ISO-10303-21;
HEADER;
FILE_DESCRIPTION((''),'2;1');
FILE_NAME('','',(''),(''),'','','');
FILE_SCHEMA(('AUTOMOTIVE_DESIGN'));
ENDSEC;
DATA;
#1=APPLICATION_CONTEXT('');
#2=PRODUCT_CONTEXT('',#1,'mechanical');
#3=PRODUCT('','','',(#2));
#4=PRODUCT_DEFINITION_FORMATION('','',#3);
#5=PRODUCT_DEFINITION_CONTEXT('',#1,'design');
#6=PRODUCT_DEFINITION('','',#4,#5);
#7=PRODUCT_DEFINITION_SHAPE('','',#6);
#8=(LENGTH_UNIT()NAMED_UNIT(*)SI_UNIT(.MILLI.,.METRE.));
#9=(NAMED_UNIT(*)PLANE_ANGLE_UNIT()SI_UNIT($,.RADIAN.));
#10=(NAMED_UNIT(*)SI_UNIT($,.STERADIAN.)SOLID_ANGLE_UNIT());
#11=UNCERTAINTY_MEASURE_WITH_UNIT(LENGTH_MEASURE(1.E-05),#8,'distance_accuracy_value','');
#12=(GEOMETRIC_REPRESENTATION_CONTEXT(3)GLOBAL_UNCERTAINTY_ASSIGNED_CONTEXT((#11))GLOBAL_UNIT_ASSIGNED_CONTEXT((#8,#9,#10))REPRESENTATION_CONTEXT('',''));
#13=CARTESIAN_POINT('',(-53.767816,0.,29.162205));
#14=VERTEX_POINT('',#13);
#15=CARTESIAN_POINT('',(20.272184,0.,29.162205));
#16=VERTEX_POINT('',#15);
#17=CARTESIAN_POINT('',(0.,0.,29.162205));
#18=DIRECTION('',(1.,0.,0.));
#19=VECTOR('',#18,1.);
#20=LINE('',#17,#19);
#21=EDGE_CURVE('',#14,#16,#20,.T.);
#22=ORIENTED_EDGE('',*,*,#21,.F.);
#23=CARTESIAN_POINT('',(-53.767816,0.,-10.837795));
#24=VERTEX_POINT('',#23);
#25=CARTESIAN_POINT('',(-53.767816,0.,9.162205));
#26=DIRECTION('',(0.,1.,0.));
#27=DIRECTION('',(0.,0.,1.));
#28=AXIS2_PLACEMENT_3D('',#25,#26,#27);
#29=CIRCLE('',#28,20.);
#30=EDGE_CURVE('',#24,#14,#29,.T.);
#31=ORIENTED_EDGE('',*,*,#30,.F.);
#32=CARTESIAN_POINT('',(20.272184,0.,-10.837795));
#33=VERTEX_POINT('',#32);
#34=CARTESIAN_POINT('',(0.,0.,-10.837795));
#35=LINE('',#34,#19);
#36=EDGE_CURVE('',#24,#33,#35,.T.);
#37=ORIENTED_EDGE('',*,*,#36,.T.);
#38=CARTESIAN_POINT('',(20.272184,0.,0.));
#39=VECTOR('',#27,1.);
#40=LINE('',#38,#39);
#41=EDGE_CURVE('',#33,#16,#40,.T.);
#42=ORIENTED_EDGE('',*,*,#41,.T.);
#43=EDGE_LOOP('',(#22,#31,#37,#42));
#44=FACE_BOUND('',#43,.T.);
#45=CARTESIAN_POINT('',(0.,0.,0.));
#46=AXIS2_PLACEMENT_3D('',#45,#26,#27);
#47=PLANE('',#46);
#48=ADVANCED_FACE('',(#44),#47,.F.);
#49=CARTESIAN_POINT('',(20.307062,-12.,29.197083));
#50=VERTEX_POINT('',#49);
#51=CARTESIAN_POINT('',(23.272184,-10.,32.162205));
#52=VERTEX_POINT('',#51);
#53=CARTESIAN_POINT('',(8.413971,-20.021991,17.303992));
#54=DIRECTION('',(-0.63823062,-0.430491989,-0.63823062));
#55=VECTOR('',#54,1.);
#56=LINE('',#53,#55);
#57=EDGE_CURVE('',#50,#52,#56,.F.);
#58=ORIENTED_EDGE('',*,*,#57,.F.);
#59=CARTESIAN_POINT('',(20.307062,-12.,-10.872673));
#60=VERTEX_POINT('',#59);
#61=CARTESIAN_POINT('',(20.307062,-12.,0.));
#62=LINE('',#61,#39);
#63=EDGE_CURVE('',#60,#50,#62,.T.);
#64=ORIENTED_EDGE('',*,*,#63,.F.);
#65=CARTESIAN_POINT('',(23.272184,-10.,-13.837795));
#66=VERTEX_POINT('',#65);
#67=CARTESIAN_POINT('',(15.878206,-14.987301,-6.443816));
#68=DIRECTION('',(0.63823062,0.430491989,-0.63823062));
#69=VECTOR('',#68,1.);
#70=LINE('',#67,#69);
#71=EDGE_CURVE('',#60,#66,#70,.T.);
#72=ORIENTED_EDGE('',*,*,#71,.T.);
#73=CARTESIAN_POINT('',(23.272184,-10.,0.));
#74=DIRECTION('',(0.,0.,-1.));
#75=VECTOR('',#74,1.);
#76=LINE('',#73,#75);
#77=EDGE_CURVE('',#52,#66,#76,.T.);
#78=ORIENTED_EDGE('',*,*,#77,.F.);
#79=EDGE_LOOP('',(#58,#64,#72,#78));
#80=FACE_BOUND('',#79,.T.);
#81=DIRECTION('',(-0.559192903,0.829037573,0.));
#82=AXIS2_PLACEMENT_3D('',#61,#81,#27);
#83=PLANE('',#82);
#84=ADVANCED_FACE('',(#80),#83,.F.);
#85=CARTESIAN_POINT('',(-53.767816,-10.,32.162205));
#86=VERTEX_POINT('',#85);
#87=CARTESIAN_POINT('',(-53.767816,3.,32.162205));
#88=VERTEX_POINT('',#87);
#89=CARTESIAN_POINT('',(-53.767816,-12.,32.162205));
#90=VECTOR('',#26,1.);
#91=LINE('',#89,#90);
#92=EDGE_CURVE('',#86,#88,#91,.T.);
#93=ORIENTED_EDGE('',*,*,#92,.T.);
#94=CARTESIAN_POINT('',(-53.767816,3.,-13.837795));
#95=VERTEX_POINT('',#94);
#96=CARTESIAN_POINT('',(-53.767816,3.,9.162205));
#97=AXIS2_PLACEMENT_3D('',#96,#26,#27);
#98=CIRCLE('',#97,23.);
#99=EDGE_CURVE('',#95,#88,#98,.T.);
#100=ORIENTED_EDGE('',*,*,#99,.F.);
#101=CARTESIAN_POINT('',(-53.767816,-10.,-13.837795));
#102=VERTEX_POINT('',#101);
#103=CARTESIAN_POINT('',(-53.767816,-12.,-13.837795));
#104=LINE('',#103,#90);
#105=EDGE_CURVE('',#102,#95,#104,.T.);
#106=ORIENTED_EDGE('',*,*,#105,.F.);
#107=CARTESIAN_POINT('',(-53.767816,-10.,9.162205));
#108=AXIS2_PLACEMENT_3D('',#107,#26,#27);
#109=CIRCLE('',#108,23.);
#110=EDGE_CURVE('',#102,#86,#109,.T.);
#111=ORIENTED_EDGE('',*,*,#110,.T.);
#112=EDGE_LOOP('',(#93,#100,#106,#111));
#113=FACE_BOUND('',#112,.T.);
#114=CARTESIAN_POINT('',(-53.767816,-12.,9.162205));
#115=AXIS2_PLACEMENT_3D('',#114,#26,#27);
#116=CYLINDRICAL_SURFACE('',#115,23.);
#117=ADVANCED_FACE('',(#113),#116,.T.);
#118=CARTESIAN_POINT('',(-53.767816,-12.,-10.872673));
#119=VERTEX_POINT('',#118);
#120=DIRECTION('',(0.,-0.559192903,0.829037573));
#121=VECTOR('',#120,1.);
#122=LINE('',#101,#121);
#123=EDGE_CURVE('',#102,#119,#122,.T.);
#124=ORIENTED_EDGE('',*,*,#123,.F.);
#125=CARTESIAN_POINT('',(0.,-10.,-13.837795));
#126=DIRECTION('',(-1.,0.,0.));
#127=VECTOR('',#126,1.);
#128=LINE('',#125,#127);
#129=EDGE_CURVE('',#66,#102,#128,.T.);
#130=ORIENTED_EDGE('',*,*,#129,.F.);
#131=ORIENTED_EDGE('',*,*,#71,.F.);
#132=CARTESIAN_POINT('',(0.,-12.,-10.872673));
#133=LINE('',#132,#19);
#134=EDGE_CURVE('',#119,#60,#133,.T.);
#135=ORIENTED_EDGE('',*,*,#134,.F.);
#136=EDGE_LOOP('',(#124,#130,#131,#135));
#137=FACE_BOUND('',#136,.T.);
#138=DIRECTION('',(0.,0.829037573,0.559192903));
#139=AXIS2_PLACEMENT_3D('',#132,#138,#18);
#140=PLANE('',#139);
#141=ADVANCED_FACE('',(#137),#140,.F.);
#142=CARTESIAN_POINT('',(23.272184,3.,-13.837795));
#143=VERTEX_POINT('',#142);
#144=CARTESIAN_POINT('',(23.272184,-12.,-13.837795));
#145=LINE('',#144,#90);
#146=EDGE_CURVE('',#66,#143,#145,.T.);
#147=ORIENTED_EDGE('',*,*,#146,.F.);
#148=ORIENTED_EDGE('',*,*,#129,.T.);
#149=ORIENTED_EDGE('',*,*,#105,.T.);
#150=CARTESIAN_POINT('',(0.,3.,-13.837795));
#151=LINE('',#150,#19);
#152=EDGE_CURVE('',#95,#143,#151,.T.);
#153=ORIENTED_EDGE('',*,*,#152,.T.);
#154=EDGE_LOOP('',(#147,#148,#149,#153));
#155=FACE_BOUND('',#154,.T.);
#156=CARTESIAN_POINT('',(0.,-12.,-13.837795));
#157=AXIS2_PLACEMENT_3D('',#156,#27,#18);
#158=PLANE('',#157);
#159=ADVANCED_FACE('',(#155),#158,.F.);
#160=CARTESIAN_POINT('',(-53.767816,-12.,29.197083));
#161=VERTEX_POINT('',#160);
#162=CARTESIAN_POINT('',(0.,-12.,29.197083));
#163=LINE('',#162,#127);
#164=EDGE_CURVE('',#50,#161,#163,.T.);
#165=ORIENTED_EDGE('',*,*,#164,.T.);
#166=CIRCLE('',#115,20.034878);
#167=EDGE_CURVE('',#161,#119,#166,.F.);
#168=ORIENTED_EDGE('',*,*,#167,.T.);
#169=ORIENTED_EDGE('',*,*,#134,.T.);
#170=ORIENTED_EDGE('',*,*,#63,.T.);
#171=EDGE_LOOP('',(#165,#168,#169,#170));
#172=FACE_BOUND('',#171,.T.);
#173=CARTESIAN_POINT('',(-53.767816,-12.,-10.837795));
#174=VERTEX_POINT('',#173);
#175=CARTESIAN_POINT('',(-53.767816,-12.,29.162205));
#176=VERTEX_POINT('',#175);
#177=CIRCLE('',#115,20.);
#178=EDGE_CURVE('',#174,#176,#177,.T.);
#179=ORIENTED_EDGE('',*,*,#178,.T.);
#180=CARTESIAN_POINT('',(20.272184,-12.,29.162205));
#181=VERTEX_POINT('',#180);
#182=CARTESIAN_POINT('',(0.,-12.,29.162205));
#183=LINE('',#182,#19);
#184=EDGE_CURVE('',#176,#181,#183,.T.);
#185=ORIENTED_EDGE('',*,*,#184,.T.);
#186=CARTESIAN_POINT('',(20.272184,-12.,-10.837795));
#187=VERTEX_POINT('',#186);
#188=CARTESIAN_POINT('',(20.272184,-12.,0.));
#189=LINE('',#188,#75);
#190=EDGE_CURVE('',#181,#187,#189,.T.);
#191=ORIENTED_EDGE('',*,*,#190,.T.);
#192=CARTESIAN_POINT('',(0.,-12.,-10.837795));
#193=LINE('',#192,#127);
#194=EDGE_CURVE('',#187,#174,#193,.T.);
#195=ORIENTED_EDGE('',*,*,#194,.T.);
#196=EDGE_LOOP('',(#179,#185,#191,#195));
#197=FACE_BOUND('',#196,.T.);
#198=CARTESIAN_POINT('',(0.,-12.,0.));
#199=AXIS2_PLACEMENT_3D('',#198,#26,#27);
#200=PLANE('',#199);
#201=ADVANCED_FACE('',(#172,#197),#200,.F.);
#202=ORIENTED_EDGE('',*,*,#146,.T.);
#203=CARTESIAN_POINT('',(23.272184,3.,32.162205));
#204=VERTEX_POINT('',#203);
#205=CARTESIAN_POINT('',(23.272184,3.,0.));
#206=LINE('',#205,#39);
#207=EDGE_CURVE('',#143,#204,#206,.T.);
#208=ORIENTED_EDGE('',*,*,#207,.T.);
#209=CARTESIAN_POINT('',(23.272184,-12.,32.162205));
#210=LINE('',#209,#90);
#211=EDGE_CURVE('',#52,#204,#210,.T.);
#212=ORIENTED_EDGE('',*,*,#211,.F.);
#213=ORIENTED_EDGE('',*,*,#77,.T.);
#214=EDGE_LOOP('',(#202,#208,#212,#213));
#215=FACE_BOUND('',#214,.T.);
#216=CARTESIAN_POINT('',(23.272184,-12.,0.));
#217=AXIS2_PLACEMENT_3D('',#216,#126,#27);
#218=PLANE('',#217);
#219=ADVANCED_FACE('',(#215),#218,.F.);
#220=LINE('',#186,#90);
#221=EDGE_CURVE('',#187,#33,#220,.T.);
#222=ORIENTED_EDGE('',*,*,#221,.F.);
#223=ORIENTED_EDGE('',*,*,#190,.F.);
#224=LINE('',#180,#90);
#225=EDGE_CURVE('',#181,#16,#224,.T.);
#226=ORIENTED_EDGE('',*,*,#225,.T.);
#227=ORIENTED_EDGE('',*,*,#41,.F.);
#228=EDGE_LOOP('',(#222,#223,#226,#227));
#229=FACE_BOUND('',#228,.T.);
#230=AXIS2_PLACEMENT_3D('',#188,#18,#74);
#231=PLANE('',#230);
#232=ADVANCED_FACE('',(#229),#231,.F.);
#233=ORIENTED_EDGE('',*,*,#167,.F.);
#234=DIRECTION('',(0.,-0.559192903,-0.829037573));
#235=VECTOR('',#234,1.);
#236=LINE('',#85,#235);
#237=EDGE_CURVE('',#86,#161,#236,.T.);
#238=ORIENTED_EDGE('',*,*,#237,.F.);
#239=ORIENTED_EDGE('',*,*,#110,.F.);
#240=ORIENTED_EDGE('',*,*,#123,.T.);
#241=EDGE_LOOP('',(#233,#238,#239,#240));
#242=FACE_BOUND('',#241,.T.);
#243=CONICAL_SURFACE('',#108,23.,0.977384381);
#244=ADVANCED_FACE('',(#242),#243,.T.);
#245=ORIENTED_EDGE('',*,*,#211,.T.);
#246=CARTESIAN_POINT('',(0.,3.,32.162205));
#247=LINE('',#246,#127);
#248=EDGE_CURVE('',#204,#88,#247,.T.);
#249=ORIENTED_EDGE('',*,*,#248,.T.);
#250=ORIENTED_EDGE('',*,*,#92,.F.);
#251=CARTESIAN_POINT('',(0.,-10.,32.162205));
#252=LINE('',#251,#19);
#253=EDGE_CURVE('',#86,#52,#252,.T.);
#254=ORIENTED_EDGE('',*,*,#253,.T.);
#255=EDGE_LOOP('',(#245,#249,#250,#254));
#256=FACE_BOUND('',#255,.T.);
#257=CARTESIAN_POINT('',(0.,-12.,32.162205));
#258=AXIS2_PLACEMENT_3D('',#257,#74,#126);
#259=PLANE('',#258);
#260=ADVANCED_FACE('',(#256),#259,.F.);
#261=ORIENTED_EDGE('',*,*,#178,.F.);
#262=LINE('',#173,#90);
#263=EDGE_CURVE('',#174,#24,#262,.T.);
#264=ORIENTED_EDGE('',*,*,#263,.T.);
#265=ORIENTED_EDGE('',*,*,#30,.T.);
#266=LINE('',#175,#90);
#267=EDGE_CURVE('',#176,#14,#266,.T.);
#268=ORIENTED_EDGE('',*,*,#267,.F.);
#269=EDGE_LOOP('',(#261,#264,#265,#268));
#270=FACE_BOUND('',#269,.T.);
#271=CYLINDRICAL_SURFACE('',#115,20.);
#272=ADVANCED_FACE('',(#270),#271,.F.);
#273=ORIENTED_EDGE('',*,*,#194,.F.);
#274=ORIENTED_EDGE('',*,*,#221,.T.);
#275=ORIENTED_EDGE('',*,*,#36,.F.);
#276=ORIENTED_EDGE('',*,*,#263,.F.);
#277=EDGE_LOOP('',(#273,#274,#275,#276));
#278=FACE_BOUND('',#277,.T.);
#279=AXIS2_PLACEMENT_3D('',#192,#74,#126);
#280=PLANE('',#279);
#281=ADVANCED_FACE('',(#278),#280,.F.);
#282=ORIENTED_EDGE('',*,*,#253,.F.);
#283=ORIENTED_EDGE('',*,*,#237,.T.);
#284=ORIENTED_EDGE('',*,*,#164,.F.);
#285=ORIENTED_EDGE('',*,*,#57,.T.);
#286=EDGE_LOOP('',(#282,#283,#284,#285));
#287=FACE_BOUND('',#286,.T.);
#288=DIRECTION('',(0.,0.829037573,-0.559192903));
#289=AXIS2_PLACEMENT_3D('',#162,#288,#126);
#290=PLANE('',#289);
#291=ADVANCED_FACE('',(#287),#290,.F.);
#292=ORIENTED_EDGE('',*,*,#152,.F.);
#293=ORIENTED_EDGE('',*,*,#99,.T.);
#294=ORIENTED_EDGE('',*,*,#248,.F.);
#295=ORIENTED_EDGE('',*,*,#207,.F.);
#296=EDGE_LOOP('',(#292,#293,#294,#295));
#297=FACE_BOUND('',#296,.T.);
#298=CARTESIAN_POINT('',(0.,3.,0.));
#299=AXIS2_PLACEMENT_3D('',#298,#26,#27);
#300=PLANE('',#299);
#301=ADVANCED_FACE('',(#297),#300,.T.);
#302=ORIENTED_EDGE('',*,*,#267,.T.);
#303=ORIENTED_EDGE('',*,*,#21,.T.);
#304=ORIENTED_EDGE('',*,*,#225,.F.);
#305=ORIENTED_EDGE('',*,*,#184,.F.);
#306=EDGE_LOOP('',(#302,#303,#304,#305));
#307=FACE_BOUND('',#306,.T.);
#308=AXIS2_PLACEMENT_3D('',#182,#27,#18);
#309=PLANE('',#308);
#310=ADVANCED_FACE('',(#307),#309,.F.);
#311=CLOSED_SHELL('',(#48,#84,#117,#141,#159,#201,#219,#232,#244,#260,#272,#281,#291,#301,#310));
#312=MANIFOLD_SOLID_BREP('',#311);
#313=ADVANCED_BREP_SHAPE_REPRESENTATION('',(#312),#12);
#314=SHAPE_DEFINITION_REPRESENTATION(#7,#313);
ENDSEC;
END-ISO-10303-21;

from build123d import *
from OCP.BRepFilletAPI import BRepFilletAPI_MakeChamfer

# Parameters (mm, degrees)
BOSS_EXTRUDE1_DEPTH = 3
BOSS_EXTRUDE3_START = -15
BOSS_EXTRUDE3_DEPTH = 15
CHAMFER2_SIZE       = 2
CHAMFER2_SIZE2      = 2.965121937


with BuildPart() as part:
    # Sketch1 → Boss-Extrude1 (new body)
    with BuildSketch(Plane(origin=(0, 0, 0), x_dir=(1, 0, 0), z_dir=(0, 1, 0))):
        with BuildLine():
            Line((20.272183792, 10.837794599), (-53.767816208, 10.837794599))
            ThreePointArc((-53.767816208, 10.837794599), (-39.625680584, 4.979930223), (-33.767816208, -9.162205401))
            ThreePointArc((-33.767816208, -9.162205401), (-39.625680584, -23.304341024), (-53.767816208, -29.162205401))
            Line((-53.767816208, -29.162205401), (20.272183792, -29.162205401))
            Line((20.272183792, -29.162205401), (20.272183792, 10.837794599))
        make_face()
        with BuildLine():
            ThreePointArc((-33.767816208, -9.162205401), (-39.625680584, 4.979930223), (-53.767816208, 10.837794599))
            Line((-53.767816208, 10.837794599), (-53.767816208, -29.162205401))
            ThreePointArc((-53.767816208, -29.162205401), (-39.625680584, -23.304341024), (-33.767816208, -9.162205401))
        make_face()
        with BuildLine():
            Line((-53.767816208, -29.162205401), (-53.767816208, 10.837794599))
            ThreePointArc((-53.767816208, 10.837794599), (-73.767816208, -9.162205401), (-53.767816208, -29.162205401))
        make_face()
        with BuildLine():
            ThreePointArc((-33.767816208, -9.162205401), (-39.625680584, 4.979930223), (-53.767816208, 10.837794599))
            Line((-53.767816208, 10.837794599), (-53.767816208, -29.162205401))
            ThreePointArc((-53.767816208, -29.162205401), (-39.625680584, -23.304341024), (-33.767816208, -9.162205401))
        make_face()
        with BuildLine():
            Line((-53.767816208, -29.162205401), (-53.767816208, 10.837794599))
            ThreePointArc((-53.767816208, 10.837794599), (-73.767816208, -9.162205401), (-53.767816208, -29.162205401))
        make_face()
    extrude(amount=BOSS_EXTRUDE1_DEPTH)

    # Sketch2 → Boss-Extrude3 (add)
    with BuildSketch(Plane(origin=(0, 3, 0), x_dir=(1, 0, 0), z_dir=(0, 1, 0)).offset(BOSS_EXTRUDE3_START)):
        with BuildLine():
            ThreePointArc((-53.767816208, -29.162205401), (-73.767816208, -9.162205401), (-53.767816208, 10.837794599))
            Line((-53.767816208, 10.837794599), (-53.767816208, 13.837794599))
            ThreePointArc((-53.767816208, 13.837794599), (-76.767816208, -9.162205401), (-53.767816208, -32.162205401))
            Line((-53.767816208, -32.162205401), (-53.767816208, -29.162205401))
        make_face()
        with BuildLine():
            Line((-53.767816208, 13.837794599), (-53.767816208, 10.837794599))
            Line((-53.767816208, 10.837794599), (-42.409999516, 10.837794599))
            ThreePointArc((-42.409999516, 10.837794599), (-47.894146145, 13.075150557), (-53.767816208, 13.837794599))
        make_face()
        with BuildLine():
            Line((-42.409999516, -29.162205401), (-53.767816208, -29.162205401))
            Line((-53.767816208, -29.162205401), (-53.767816208, -32.162205401))
            ThreePointArc((-53.767816208, -32.162205401), (-47.894146145, -31.399561359), (-42.409999516, -29.162205401))
        make_face()
        with BuildLine():
            Line((23.272183792, 13.837794599), (-53.767816208, 13.837794599))
            ThreePointArc((-53.767816208, 13.837794599), (-47.894146145, 13.075150557), (-42.409999516, 10.837794599))
            Line((-42.409999516, 10.837794599), (20.272183792, 10.837794599))
            Line((20.272183792, 10.837794599), (20.272183792, -29.162205401))
            Line((20.272183792, -29.162205401), (-42.409999516, -29.162205401))
            ThreePointArc((-42.409999516, -29.162205401), (-47.894146145, -31.399561359), (-53.767816208, -32.162205401))
            Line((-53.767816208, -32.162205401), (23.272183792, -32.162205401))
            Line((23.272183792, -32.162205401), (23.272183792, 13.837794599))
        make_face()
    extrude(amount=BOSS_EXTRUDE3_DEPTH)

    # Chamfer2: one chamfer whose edges measure the first distance from different faces: ONE call of the kernel's chamfer builder (chamfer() names one face for all edges)
    chamfer2_edges_1 = [part.edges().sort_by_distance(p)[0] for p in [
        (-76.767816208, -12, 9.162205401),
    ]]
    chamfer2_side_1 = [part.faces().sort_by_distance(p)[0] for p in [
        (-76.767816208, -4.5, 9.162205401),
    ]]
    chamfer2_edges_2 = [part.edges().sort_by_distance(p)[0] for p in [
        (-15.247816208, -12, -13.837794599),
    ]]
    chamfer2_side_2 = [part.faces().sort_by_distance(p)[0] for p in [
        (-15.247816208, -4.5, -13.837794599),
    ]]
    chamfer2_edges_3 = [part.edges().sort_by_distance(p)[0] for p in [
        (23.272183792, -12, 9.162205401),
    ]]
    chamfer2_side_3 = [part.faces().sort_by_distance(p)[0] for p in [
        (23.272183792, -4.5, 9.162205401),
    ]]
    chamfer2_edges_4 = [part.edges().sort_by_distance(p)[0] for p in [
        (-15.247816208, -12, 32.162205401),
    ]]
    chamfer2_side_4 = [part.faces().sort_by_distance(p)[0] for p in [
        (-15.247816208, -4.5, 32.162205401),
    ]]
    chamfer2 = BRepFilletAPI_MakeChamfer(part.part.solid().wrapped)
    for e in chamfer2_edges_1:
        chamfer2.Add(CHAMFER2_SIZE, CHAMFER2_SIZE2, e.wrapped, chamfer2_side_1[0].wrapped)  # the first distance lies on this face
    for e in chamfer2_edges_2:
        chamfer2.Add(CHAMFER2_SIZE, CHAMFER2_SIZE2, e.wrapped, chamfer2_side_2[0].wrapped)  # the first distance lies on this face
    for e in chamfer2_edges_3:
        chamfer2.Add(CHAMFER2_SIZE, CHAMFER2_SIZE2, e.wrapped, chamfer2_side_3[0].wrapped)  # the first distance lies on this face
    for e in chamfer2_edges_4:
        chamfer2.Add(CHAMFER2_SIZE, CHAMFER2_SIZE2, e.wrapped, chamfer2_side_4[0].wrapped)  # the first distance lies on this face
    add(Compound.cast(chamfer2.Shape()), mode=Mode.REPLACE)


solid = part.part
